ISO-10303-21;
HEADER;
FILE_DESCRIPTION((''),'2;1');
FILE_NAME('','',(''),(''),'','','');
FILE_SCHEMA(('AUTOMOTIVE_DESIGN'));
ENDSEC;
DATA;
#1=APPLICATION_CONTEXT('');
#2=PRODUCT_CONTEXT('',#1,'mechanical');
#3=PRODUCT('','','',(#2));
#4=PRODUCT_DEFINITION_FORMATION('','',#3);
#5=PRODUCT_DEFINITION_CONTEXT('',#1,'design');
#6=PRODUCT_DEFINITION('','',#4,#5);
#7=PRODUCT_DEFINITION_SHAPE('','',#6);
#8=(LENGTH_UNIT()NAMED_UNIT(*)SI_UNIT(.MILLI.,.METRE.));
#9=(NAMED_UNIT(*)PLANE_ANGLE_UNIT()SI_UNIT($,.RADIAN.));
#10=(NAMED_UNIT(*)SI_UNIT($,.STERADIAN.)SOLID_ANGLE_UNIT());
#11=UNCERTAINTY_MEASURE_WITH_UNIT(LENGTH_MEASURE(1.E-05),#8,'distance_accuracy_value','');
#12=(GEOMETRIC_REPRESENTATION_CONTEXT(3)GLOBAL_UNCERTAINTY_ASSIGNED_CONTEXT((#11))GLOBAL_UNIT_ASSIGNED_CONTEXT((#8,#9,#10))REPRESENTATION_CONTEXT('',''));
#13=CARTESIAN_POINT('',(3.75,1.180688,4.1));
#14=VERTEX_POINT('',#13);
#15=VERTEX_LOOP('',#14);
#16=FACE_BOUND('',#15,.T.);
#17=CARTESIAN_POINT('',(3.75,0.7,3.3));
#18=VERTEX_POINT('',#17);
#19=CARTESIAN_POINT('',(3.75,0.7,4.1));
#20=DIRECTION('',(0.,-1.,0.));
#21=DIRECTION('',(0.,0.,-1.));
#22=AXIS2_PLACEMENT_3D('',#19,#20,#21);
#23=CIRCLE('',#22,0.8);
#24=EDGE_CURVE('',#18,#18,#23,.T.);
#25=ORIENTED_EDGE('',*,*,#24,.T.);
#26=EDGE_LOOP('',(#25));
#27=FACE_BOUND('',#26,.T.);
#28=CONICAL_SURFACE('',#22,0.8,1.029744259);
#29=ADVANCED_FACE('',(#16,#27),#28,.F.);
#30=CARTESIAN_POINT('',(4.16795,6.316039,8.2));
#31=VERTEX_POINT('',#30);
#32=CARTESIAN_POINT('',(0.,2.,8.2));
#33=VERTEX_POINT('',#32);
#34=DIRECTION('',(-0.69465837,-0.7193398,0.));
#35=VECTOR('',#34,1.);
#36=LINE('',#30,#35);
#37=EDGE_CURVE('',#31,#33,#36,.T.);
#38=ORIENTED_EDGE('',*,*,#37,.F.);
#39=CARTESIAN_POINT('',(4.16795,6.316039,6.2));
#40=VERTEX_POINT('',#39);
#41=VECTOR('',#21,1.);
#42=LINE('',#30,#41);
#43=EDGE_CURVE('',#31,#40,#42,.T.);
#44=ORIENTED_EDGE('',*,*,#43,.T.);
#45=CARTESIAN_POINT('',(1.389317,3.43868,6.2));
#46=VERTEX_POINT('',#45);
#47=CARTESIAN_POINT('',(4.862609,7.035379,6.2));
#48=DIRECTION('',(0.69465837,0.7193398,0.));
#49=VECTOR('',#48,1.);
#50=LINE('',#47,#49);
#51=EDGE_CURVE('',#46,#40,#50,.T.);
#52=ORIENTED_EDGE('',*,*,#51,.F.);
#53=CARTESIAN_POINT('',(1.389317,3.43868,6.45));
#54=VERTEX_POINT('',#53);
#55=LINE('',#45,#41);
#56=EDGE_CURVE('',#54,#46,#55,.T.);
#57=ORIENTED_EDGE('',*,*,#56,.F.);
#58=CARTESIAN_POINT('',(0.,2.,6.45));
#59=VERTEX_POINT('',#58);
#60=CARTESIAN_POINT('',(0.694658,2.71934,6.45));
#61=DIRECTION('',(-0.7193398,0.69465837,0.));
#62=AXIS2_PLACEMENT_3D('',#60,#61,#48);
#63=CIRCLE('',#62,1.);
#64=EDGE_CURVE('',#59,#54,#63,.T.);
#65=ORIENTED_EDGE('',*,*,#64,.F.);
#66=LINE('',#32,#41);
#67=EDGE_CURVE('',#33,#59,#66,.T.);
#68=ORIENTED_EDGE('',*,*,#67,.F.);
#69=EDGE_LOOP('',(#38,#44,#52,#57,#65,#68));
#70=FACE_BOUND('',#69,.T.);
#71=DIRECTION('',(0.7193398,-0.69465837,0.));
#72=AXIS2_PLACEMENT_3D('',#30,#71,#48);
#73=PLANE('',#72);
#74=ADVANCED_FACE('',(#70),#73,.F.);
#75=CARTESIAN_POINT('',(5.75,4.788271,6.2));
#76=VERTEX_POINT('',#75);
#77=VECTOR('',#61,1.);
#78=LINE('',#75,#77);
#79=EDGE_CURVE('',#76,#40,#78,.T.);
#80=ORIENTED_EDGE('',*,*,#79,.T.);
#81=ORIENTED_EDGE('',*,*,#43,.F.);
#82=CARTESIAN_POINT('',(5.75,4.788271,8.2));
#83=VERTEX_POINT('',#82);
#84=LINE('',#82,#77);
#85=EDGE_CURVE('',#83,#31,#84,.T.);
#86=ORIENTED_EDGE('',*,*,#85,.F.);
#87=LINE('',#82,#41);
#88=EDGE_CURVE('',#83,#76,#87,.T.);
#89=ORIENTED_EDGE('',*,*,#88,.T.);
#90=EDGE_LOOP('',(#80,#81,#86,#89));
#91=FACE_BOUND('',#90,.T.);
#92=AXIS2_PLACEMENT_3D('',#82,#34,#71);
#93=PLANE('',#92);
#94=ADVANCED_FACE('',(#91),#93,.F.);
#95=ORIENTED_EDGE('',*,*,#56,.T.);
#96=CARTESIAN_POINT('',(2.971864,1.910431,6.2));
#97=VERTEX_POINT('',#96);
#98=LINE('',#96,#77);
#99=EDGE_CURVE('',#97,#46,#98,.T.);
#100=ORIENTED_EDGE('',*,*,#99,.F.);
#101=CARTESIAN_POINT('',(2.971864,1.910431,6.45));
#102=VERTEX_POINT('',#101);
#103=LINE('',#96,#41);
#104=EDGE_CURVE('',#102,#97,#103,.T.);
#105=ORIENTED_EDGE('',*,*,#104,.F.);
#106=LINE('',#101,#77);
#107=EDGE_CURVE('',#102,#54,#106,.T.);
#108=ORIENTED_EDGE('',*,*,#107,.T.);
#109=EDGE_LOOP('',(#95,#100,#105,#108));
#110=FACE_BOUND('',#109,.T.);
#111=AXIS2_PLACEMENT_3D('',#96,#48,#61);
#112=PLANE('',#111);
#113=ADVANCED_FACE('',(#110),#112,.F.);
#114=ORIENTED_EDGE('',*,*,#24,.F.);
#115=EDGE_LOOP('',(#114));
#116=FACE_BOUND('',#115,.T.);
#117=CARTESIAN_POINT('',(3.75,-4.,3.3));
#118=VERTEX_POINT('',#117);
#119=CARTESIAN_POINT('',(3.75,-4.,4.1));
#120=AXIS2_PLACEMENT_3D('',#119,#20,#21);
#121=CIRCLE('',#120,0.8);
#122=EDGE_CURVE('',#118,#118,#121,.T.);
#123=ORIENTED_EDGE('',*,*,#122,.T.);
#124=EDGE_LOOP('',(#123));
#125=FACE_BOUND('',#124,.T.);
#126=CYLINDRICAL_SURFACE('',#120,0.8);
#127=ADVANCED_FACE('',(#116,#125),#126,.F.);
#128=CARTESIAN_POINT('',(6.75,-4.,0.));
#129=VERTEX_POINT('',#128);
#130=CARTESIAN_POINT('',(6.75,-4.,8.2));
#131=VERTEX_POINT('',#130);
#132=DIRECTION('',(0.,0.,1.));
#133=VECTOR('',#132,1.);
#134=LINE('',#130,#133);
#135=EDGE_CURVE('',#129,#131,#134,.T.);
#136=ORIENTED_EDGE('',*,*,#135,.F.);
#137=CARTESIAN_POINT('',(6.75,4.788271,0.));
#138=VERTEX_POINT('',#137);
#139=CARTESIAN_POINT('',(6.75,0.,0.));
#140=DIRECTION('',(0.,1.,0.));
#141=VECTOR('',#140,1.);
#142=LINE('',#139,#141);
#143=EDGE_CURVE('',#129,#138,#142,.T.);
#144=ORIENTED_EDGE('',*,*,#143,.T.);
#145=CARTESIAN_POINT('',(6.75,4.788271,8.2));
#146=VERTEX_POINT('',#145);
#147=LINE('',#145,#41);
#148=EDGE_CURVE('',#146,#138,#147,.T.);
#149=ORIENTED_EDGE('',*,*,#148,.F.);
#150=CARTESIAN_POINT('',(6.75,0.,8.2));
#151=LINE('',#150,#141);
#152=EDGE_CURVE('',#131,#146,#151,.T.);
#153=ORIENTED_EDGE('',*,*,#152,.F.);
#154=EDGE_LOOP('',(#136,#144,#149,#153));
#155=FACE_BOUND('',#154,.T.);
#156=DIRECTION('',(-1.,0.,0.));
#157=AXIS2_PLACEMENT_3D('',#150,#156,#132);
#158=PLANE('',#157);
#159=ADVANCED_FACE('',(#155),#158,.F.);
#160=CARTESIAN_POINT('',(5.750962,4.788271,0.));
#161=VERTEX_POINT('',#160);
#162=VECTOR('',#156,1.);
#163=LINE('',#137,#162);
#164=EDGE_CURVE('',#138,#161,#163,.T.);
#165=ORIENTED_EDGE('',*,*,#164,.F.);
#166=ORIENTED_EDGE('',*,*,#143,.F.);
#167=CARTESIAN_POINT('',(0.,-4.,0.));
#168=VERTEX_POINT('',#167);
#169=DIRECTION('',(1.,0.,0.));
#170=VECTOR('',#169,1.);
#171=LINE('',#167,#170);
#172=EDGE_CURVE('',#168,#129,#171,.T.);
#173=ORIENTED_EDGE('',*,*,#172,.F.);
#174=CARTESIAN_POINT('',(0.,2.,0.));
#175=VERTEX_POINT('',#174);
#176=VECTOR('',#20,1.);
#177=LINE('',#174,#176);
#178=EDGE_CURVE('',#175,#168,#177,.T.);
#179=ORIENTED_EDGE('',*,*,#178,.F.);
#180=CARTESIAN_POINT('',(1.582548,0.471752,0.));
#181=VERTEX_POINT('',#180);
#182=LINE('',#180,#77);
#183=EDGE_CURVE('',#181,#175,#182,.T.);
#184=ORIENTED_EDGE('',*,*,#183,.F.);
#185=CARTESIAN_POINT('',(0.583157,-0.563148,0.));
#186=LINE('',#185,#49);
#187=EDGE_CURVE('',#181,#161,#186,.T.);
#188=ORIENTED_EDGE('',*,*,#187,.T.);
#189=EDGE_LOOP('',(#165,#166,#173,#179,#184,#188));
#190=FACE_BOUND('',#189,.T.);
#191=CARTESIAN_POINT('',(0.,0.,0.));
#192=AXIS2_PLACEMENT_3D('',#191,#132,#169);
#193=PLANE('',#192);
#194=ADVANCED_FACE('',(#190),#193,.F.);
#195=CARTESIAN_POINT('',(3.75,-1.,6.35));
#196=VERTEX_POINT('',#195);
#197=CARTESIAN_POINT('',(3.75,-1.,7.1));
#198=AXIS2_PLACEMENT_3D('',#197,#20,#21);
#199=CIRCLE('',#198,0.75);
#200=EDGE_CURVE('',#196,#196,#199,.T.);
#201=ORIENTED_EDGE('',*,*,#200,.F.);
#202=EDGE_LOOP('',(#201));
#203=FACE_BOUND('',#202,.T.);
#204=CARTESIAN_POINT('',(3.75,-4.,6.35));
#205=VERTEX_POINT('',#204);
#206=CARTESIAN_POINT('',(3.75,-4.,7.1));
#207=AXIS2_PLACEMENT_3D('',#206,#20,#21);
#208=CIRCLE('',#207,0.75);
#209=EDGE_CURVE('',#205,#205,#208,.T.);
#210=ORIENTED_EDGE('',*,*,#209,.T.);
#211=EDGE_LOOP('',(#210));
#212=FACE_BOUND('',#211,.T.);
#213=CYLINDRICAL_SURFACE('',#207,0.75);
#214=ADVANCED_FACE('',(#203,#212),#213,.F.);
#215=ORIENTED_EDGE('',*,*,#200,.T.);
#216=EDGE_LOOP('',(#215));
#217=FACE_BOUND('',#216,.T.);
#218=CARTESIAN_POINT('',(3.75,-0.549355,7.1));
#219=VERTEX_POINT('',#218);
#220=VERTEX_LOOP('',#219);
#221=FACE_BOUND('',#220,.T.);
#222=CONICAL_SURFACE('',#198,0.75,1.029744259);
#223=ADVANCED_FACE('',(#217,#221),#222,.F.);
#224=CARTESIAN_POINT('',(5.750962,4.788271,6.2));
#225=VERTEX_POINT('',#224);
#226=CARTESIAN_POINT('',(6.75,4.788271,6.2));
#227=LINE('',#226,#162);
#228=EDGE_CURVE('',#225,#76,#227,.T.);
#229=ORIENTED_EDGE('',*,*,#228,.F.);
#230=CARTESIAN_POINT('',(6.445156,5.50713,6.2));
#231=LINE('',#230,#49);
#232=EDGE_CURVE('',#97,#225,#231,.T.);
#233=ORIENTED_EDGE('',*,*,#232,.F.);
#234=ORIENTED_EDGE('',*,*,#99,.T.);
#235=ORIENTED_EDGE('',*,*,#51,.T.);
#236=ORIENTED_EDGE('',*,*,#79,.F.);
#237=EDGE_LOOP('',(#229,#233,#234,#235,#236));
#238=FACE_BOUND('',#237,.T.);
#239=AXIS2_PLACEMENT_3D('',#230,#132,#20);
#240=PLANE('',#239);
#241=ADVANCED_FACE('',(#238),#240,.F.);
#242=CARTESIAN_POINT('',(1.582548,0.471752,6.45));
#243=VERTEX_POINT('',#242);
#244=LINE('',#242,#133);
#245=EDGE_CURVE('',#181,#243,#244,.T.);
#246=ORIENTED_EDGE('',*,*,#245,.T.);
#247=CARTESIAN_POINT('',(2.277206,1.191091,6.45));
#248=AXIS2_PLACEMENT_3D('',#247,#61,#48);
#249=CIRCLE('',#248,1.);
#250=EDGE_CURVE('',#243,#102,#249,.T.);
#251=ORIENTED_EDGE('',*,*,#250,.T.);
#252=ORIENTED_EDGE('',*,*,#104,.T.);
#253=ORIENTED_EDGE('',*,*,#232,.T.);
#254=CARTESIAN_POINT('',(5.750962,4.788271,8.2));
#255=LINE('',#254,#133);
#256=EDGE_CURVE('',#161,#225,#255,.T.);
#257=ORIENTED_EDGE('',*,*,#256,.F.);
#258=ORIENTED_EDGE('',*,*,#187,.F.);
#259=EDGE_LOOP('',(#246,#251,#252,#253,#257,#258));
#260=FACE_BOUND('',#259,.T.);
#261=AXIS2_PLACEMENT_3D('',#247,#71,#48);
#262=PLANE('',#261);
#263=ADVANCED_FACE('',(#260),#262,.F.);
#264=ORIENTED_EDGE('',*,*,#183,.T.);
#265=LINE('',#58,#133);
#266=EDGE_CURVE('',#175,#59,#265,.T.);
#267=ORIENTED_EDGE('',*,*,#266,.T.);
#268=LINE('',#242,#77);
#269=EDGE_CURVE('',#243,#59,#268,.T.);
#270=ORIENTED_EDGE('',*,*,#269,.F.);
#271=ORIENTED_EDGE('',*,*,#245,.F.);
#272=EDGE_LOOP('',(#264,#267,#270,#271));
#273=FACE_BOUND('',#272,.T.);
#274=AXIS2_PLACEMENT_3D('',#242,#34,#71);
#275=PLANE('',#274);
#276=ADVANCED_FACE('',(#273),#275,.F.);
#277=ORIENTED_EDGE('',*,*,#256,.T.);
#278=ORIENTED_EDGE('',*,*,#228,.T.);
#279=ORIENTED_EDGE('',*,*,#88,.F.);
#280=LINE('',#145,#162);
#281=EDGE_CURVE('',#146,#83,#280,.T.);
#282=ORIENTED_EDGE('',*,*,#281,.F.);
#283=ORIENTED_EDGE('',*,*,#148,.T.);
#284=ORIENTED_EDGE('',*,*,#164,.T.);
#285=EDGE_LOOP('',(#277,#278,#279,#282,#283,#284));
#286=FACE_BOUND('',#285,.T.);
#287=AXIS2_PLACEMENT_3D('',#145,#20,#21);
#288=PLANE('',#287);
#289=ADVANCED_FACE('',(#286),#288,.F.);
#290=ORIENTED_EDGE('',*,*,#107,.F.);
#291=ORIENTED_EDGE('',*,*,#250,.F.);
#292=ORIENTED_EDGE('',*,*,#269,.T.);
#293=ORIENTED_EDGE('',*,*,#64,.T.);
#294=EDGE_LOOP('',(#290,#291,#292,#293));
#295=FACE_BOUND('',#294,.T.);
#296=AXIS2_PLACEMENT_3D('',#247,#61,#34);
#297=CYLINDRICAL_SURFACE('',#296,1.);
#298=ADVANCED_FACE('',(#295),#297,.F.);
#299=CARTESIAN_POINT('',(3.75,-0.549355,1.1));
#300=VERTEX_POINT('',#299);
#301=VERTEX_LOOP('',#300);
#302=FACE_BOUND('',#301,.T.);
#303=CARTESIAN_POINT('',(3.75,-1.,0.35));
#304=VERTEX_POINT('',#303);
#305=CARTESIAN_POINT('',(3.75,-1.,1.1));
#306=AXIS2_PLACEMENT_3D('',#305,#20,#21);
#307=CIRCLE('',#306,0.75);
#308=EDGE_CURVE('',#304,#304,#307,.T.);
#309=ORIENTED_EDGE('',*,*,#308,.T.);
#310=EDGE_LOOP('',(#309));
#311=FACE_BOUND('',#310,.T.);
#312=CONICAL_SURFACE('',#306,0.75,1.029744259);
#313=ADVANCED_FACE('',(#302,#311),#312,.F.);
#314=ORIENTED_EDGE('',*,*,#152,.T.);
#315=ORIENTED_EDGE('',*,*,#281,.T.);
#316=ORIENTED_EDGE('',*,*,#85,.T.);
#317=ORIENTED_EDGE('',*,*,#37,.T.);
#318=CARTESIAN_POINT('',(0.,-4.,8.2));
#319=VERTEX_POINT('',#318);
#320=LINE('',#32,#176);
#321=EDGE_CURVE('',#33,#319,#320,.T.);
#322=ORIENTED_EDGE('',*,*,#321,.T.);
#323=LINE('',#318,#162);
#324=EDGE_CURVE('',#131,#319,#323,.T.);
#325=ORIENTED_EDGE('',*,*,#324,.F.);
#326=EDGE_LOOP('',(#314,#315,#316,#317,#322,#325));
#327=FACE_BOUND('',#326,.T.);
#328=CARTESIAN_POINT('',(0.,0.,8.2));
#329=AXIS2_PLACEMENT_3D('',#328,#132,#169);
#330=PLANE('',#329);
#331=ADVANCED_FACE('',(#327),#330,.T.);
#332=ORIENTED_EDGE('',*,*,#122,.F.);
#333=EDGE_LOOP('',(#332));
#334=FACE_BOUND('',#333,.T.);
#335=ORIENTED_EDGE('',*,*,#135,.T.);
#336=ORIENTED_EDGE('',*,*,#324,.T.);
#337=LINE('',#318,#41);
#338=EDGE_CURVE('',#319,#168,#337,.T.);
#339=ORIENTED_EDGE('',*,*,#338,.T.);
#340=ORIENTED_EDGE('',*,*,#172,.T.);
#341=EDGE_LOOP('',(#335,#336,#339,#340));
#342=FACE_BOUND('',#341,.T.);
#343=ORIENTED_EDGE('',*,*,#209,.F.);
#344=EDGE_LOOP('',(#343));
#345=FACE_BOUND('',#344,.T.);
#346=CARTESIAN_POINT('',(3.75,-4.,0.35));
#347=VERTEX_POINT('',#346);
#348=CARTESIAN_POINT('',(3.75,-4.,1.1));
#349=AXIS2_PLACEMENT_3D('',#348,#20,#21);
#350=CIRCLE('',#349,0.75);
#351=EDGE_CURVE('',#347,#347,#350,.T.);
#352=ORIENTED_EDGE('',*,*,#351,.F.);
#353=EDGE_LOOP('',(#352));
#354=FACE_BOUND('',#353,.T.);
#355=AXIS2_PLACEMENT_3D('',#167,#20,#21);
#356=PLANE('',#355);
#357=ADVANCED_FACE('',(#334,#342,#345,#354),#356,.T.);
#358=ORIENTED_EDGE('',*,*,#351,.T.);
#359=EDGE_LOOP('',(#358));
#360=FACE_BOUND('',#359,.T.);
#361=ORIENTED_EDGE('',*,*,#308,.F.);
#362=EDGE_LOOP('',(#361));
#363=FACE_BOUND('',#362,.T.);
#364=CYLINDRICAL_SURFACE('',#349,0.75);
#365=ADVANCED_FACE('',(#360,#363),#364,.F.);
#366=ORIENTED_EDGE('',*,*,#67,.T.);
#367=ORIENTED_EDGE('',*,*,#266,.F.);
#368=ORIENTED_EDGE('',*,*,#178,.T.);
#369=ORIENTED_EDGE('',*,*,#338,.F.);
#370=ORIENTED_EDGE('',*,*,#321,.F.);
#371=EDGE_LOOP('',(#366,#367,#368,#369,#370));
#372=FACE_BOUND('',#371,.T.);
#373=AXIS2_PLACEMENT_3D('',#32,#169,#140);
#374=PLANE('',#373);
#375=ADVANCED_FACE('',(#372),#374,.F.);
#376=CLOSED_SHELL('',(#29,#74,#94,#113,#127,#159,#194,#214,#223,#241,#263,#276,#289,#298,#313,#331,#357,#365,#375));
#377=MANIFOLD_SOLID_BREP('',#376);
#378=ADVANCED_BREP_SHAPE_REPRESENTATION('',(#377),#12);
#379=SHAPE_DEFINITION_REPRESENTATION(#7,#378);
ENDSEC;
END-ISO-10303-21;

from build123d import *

# Parameters (mm, degrees)
BOSS_EXTRUDE1_DEPTH       = 8.2
CUT_EXTRUDE1_DEPTH        = 2.2
SKETCH3_W                 = 6.75
SKETCH3_H                 = 8.2
BOSS_EXTRUDE2_DEPTH       = 4
M2X0_4_TAPPED_HOLE1_D     = 1.6
M2X0_4_TAPPED_HOLE1_DEPTH = 4.7
M2X0_4_TAPPED_HOLE1_TIP   = 0.480688495
F_1_5MM_DOWEL_HOLE1_D     = 1.5
F_1_5MM_DOWEL_HOLE1_DEPTH = 3
F_1_5MM_DOWEL_HOLE1_TIP   = 0.450645464


with BuildPart() as part:
    # Sketch1 → Boss-Extrude1 (new body)
    with BuildSketch(Plane.XY):
        Polygon((0, 0), (6.75, 0), (6.75, 4.788271091), (5.75, 4.788271091), (4.167950223, 6.316038802), (0, 2), align=None)
    extrude(amount=BOSS_EXTRUDE1_DEPTH)

    # Sketch2 → Cut-Extrude1 (cut)
    with BuildSketch(Plane(origin=(-0.999390827, 0.965100503, 0), x_dir=(0.69465837, 0.7193398, 0), z_dir=(-0.7193398, 0.69465837, 0))):
        with BuildLine():
            Line((8.438679601, 0), (8.438679601, -6.2))
            Line((8.438679601, -6.2), (3.438679601, -6.2))
            Line((3.438679601, -6.2), (3.438679601, -6.45))
            ThreePointArc((3.438679601, -6.45), (2.438679601, -7.45), (1.438679601, -6.45))
            Line((1.438679601, -6.45), (1.438679601, 0))
            Line((1.438679601, 0), (8.438679601, 0))
        make_face()
    extrude(amount=-CUT_EXTRUDE1_DEPTH, mode=Mode.SUBTRACT)

    # Sketch3 → Boss-Extrude2 (add)
    with BuildSketch(Plane.XZ):
        with Locations((3.375, 4.1)):
            Rectangle(SKETCH3_W, SKETCH3_H)
    extrude(amount=BOSS_EXTRUDE2_DEPTH)

    # M2x0.4 Tapped Hole1
    with Locations(Plane(origin=(0, -4, 0), x_dir=(-1, 0, 0), z_dir=(0, -1, 0))):
        with Locations((-3.75, -4.1)):
            Hole(M2X0_4_TAPPED_HOLE1_D / 2, depth=M2X0_4_TAPPED_HOLE1_DEPTH)
            with Locations((0, 0, -(M2X0_4_TAPPED_HOLE1_DEPTH + M2X0_4_TAPPED_HOLE1_TIP / 2))):  # 118° drill point
                Cone(0, M2X0_4_TAPPED_HOLE1_D / 2, M2X0_4_TAPPED_HOLE1_TIP, mode=Mode.SUBTRACT)

    # Ø1.5mm Dowel Hole1
    with Locations(Plane(origin=(0, -4, 0), x_dir=(-1, 0, 0), z_dir=(0, -1, 0))):
        with Locations((-3.75, -7.1), (-3.75, -1.1)):
            Hole(F_1_5MM_DOWEL_HOLE1_D / 2, depth=F_1_5MM_DOWEL_HOLE1_DEPTH)
            with Locations((0, 0, -(F_1_5MM_DOWEL_HOLE1_DEPTH + F_1_5MM_DOWEL_HOLE1_TIP / 2))):  # 118° drill point
                Cone(0, F_1_5MM_DOWEL_HOLE1_D / 2, F_1_5MM_DOWEL_HOLE1_TIP, mode=Mode.SUBTRACT)


solid = part.part
